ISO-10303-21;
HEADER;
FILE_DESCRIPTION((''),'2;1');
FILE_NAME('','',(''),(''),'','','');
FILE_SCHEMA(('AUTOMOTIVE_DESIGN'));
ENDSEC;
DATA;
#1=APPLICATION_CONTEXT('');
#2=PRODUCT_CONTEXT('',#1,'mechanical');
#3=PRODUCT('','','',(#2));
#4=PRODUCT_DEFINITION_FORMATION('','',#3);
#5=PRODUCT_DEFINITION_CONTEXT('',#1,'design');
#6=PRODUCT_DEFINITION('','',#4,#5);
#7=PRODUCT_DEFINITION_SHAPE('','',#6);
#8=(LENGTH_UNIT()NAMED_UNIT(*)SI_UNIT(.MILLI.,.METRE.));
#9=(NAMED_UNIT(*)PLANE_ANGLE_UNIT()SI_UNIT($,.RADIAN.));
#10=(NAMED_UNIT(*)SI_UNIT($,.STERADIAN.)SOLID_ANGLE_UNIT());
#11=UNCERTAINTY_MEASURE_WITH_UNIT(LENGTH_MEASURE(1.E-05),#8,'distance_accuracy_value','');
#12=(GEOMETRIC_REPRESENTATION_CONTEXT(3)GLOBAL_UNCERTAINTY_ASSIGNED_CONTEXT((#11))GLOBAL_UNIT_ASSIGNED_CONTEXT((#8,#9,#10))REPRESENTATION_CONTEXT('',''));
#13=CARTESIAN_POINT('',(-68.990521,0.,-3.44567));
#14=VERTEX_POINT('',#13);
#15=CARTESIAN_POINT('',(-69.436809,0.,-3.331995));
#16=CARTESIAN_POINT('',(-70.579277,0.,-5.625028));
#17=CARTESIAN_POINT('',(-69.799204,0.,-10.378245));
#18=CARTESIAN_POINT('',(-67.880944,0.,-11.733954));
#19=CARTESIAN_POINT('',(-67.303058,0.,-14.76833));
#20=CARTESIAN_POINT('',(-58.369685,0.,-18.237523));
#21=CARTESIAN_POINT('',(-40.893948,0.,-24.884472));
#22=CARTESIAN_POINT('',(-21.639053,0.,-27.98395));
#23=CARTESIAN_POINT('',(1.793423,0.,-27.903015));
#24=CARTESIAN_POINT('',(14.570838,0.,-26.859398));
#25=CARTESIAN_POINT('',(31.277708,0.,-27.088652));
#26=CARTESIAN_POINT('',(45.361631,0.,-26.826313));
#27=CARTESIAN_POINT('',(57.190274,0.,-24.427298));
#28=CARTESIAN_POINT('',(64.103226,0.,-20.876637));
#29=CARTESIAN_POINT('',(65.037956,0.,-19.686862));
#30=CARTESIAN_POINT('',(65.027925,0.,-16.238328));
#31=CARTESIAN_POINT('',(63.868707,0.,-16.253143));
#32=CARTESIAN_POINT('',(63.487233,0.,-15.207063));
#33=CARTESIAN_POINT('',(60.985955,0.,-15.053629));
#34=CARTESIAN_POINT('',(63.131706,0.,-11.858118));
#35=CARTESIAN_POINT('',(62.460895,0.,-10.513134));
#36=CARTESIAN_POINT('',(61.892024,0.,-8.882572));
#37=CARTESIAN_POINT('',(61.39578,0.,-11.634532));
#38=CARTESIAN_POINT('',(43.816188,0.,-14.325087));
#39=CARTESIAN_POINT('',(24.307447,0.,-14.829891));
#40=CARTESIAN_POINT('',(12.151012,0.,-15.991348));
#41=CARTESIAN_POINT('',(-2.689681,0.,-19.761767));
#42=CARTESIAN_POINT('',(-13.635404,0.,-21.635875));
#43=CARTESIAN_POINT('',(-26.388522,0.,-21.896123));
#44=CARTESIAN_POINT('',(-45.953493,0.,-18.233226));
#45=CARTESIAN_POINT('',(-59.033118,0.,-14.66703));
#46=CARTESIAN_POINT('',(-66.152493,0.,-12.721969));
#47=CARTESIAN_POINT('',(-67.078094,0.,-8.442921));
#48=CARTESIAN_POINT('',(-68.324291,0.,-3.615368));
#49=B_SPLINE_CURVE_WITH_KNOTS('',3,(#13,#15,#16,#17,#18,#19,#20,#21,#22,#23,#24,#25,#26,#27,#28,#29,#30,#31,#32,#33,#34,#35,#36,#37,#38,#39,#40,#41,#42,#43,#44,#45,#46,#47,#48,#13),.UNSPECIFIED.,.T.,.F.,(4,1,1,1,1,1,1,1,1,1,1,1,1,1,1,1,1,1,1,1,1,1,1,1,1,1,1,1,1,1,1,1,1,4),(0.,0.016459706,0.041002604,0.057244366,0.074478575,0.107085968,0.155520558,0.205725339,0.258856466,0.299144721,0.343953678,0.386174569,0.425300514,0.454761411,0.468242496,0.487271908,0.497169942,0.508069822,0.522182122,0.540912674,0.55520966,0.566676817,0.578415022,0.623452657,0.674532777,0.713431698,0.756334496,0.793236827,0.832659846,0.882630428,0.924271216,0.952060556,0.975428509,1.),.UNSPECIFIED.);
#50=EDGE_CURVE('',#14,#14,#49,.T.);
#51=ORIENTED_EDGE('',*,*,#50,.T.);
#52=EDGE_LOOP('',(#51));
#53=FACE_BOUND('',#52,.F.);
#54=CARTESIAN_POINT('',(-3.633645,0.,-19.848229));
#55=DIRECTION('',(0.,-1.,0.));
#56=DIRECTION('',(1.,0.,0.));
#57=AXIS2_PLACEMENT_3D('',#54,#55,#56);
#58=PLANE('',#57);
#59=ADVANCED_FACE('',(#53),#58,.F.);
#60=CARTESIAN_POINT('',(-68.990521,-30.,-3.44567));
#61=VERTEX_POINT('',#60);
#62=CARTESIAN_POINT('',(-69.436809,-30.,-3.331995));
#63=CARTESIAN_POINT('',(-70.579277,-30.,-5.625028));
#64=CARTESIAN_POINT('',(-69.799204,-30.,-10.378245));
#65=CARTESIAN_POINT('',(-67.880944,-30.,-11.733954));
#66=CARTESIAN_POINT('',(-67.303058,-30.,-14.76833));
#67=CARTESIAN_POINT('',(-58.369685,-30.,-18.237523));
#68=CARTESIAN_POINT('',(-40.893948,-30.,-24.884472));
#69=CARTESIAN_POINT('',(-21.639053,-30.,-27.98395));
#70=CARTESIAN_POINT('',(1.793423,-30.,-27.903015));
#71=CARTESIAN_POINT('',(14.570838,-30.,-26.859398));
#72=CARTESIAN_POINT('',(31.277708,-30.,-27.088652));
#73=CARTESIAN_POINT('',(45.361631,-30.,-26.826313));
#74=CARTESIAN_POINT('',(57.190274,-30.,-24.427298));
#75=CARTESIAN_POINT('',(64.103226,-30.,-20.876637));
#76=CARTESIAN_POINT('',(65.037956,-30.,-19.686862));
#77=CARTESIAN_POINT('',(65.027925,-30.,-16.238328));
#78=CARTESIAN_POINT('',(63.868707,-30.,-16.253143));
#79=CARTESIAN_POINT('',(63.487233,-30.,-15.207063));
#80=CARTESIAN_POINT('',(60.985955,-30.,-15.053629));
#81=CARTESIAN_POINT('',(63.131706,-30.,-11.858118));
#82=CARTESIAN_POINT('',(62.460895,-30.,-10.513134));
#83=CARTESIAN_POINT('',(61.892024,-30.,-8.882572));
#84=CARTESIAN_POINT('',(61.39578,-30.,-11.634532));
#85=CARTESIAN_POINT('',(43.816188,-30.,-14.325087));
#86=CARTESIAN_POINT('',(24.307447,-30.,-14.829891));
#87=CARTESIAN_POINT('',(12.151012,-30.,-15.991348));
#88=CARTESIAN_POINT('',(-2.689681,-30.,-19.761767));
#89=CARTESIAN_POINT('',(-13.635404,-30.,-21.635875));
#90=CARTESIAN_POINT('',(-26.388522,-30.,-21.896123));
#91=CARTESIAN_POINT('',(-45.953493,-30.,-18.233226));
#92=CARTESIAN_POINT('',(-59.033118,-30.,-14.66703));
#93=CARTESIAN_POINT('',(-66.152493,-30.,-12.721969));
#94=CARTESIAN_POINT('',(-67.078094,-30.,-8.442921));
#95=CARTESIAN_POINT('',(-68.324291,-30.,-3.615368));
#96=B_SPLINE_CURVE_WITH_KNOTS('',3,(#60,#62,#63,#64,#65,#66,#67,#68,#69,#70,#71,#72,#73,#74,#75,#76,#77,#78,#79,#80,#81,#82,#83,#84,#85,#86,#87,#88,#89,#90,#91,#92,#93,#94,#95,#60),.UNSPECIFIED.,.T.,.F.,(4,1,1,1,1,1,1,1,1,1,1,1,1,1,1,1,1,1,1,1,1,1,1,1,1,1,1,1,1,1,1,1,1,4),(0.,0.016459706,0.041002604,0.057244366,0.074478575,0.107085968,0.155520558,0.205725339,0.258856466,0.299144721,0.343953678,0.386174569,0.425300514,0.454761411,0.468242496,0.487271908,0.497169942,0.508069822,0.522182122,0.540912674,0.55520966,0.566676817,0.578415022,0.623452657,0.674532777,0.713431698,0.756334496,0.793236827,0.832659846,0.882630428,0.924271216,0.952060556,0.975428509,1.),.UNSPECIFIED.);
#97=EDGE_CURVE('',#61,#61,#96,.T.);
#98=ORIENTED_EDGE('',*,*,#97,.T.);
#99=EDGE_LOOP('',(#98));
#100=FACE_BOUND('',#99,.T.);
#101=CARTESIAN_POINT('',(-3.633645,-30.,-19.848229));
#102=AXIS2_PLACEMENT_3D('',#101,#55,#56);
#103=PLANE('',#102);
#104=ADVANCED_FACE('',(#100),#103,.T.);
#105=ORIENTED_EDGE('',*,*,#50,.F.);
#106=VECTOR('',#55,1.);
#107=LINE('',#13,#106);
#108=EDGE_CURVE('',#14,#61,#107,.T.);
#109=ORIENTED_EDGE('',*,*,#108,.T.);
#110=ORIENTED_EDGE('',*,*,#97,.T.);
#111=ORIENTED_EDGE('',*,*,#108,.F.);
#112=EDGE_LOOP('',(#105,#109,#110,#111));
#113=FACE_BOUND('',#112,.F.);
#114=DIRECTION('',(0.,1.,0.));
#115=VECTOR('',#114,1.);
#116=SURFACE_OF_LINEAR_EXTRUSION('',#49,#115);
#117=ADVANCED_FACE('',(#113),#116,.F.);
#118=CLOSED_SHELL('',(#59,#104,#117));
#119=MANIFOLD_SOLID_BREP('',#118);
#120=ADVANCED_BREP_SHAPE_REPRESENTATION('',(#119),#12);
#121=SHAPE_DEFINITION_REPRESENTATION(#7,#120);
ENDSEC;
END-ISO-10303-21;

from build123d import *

# Parameters (mm, degrees)
F1_DEPTH = 30


with BuildPart() as f1:
    # F0 (on Front) → F1 (new body)
    with BuildSketch(Plane.XZ):
        with BuildLine():
            add(Edge.make_bspline(
                [(-68.9905211329, -3.4456704743), (-69.436808585, -3.3319954478), (-70.5792773963, -5.625028194), (-69.7992037567, -10.3782447414), (-67.8809436321, -11.7339536435), (-67.3030584351, -14.7683296453), (-58.3696848186, -18.2375231892), (-40.8939480952, -24.8844721111), (-21.639053473, -27.9839501164), (1.7934232018, -27.9030154495), (14.5708383183, -26.8593977125), (31.2777077796, -27.0886522239), (45.3616310774, -26.8263127017), (57.1902737341, -24.4272984716), (64.1032264886, -20.8766373533), (65.0379560472, -19.6868618632), (65.0279253758, -16.2383280916), (63.868706616, -16.2531433425), (63.4872325403, -15.2070626424), (60.9859550676, -15.0536285772), (63.1317055562, -11.8581181822), (62.4608947919, -10.5131342865), (61.892024209, -8.8825716283), (61.3957795892, -11.6345317889), (43.8161882704, -14.3250865412), (24.3074472838, -14.829891286), (12.1510119222, -15.991348456), (-2.6896805742, -19.7617667292), (-13.6354041303, -21.6358747827), (-26.3885215514, -21.8961227897), (-45.9534927721, -18.2332257836), (-59.0331180308, -14.6670304958), (-66.1524929456, -12.7219686657), (-67.0780940908, -8.4429211854), (-68.3242912395, -3.6153676067), (-68.9905211329, -3.4456704743)],
                knots=[0, 0, 0, 0, 0.016459706, 0.0410026037, 0.0572443659, 0.0744785745, 0.1070859681, 0.1555205579, 0.2057253393, 0.258856466, 0.2991447215, 0.3439536776, 0.3861745694, 0.4253005138, 0.4547614113, 0.4682424964, 0.4872719079, 0.4971699421, 0.5080698222, 0.5221821223, 0.540912674, 0.55520966, 0.5666768166, 0.5784150221, 0.6234526567, 0.6745327774, 0.713431698, 0.7563344956, 0.793236827, 0.832659846, 0.8826304283, 0.9242712155, 0.9520605563, 0.9754285089, 1, 1, 1, 1], degree=3))
        make_face()
    extrude(amount=F1_DEPTH)


solid = f1.part
